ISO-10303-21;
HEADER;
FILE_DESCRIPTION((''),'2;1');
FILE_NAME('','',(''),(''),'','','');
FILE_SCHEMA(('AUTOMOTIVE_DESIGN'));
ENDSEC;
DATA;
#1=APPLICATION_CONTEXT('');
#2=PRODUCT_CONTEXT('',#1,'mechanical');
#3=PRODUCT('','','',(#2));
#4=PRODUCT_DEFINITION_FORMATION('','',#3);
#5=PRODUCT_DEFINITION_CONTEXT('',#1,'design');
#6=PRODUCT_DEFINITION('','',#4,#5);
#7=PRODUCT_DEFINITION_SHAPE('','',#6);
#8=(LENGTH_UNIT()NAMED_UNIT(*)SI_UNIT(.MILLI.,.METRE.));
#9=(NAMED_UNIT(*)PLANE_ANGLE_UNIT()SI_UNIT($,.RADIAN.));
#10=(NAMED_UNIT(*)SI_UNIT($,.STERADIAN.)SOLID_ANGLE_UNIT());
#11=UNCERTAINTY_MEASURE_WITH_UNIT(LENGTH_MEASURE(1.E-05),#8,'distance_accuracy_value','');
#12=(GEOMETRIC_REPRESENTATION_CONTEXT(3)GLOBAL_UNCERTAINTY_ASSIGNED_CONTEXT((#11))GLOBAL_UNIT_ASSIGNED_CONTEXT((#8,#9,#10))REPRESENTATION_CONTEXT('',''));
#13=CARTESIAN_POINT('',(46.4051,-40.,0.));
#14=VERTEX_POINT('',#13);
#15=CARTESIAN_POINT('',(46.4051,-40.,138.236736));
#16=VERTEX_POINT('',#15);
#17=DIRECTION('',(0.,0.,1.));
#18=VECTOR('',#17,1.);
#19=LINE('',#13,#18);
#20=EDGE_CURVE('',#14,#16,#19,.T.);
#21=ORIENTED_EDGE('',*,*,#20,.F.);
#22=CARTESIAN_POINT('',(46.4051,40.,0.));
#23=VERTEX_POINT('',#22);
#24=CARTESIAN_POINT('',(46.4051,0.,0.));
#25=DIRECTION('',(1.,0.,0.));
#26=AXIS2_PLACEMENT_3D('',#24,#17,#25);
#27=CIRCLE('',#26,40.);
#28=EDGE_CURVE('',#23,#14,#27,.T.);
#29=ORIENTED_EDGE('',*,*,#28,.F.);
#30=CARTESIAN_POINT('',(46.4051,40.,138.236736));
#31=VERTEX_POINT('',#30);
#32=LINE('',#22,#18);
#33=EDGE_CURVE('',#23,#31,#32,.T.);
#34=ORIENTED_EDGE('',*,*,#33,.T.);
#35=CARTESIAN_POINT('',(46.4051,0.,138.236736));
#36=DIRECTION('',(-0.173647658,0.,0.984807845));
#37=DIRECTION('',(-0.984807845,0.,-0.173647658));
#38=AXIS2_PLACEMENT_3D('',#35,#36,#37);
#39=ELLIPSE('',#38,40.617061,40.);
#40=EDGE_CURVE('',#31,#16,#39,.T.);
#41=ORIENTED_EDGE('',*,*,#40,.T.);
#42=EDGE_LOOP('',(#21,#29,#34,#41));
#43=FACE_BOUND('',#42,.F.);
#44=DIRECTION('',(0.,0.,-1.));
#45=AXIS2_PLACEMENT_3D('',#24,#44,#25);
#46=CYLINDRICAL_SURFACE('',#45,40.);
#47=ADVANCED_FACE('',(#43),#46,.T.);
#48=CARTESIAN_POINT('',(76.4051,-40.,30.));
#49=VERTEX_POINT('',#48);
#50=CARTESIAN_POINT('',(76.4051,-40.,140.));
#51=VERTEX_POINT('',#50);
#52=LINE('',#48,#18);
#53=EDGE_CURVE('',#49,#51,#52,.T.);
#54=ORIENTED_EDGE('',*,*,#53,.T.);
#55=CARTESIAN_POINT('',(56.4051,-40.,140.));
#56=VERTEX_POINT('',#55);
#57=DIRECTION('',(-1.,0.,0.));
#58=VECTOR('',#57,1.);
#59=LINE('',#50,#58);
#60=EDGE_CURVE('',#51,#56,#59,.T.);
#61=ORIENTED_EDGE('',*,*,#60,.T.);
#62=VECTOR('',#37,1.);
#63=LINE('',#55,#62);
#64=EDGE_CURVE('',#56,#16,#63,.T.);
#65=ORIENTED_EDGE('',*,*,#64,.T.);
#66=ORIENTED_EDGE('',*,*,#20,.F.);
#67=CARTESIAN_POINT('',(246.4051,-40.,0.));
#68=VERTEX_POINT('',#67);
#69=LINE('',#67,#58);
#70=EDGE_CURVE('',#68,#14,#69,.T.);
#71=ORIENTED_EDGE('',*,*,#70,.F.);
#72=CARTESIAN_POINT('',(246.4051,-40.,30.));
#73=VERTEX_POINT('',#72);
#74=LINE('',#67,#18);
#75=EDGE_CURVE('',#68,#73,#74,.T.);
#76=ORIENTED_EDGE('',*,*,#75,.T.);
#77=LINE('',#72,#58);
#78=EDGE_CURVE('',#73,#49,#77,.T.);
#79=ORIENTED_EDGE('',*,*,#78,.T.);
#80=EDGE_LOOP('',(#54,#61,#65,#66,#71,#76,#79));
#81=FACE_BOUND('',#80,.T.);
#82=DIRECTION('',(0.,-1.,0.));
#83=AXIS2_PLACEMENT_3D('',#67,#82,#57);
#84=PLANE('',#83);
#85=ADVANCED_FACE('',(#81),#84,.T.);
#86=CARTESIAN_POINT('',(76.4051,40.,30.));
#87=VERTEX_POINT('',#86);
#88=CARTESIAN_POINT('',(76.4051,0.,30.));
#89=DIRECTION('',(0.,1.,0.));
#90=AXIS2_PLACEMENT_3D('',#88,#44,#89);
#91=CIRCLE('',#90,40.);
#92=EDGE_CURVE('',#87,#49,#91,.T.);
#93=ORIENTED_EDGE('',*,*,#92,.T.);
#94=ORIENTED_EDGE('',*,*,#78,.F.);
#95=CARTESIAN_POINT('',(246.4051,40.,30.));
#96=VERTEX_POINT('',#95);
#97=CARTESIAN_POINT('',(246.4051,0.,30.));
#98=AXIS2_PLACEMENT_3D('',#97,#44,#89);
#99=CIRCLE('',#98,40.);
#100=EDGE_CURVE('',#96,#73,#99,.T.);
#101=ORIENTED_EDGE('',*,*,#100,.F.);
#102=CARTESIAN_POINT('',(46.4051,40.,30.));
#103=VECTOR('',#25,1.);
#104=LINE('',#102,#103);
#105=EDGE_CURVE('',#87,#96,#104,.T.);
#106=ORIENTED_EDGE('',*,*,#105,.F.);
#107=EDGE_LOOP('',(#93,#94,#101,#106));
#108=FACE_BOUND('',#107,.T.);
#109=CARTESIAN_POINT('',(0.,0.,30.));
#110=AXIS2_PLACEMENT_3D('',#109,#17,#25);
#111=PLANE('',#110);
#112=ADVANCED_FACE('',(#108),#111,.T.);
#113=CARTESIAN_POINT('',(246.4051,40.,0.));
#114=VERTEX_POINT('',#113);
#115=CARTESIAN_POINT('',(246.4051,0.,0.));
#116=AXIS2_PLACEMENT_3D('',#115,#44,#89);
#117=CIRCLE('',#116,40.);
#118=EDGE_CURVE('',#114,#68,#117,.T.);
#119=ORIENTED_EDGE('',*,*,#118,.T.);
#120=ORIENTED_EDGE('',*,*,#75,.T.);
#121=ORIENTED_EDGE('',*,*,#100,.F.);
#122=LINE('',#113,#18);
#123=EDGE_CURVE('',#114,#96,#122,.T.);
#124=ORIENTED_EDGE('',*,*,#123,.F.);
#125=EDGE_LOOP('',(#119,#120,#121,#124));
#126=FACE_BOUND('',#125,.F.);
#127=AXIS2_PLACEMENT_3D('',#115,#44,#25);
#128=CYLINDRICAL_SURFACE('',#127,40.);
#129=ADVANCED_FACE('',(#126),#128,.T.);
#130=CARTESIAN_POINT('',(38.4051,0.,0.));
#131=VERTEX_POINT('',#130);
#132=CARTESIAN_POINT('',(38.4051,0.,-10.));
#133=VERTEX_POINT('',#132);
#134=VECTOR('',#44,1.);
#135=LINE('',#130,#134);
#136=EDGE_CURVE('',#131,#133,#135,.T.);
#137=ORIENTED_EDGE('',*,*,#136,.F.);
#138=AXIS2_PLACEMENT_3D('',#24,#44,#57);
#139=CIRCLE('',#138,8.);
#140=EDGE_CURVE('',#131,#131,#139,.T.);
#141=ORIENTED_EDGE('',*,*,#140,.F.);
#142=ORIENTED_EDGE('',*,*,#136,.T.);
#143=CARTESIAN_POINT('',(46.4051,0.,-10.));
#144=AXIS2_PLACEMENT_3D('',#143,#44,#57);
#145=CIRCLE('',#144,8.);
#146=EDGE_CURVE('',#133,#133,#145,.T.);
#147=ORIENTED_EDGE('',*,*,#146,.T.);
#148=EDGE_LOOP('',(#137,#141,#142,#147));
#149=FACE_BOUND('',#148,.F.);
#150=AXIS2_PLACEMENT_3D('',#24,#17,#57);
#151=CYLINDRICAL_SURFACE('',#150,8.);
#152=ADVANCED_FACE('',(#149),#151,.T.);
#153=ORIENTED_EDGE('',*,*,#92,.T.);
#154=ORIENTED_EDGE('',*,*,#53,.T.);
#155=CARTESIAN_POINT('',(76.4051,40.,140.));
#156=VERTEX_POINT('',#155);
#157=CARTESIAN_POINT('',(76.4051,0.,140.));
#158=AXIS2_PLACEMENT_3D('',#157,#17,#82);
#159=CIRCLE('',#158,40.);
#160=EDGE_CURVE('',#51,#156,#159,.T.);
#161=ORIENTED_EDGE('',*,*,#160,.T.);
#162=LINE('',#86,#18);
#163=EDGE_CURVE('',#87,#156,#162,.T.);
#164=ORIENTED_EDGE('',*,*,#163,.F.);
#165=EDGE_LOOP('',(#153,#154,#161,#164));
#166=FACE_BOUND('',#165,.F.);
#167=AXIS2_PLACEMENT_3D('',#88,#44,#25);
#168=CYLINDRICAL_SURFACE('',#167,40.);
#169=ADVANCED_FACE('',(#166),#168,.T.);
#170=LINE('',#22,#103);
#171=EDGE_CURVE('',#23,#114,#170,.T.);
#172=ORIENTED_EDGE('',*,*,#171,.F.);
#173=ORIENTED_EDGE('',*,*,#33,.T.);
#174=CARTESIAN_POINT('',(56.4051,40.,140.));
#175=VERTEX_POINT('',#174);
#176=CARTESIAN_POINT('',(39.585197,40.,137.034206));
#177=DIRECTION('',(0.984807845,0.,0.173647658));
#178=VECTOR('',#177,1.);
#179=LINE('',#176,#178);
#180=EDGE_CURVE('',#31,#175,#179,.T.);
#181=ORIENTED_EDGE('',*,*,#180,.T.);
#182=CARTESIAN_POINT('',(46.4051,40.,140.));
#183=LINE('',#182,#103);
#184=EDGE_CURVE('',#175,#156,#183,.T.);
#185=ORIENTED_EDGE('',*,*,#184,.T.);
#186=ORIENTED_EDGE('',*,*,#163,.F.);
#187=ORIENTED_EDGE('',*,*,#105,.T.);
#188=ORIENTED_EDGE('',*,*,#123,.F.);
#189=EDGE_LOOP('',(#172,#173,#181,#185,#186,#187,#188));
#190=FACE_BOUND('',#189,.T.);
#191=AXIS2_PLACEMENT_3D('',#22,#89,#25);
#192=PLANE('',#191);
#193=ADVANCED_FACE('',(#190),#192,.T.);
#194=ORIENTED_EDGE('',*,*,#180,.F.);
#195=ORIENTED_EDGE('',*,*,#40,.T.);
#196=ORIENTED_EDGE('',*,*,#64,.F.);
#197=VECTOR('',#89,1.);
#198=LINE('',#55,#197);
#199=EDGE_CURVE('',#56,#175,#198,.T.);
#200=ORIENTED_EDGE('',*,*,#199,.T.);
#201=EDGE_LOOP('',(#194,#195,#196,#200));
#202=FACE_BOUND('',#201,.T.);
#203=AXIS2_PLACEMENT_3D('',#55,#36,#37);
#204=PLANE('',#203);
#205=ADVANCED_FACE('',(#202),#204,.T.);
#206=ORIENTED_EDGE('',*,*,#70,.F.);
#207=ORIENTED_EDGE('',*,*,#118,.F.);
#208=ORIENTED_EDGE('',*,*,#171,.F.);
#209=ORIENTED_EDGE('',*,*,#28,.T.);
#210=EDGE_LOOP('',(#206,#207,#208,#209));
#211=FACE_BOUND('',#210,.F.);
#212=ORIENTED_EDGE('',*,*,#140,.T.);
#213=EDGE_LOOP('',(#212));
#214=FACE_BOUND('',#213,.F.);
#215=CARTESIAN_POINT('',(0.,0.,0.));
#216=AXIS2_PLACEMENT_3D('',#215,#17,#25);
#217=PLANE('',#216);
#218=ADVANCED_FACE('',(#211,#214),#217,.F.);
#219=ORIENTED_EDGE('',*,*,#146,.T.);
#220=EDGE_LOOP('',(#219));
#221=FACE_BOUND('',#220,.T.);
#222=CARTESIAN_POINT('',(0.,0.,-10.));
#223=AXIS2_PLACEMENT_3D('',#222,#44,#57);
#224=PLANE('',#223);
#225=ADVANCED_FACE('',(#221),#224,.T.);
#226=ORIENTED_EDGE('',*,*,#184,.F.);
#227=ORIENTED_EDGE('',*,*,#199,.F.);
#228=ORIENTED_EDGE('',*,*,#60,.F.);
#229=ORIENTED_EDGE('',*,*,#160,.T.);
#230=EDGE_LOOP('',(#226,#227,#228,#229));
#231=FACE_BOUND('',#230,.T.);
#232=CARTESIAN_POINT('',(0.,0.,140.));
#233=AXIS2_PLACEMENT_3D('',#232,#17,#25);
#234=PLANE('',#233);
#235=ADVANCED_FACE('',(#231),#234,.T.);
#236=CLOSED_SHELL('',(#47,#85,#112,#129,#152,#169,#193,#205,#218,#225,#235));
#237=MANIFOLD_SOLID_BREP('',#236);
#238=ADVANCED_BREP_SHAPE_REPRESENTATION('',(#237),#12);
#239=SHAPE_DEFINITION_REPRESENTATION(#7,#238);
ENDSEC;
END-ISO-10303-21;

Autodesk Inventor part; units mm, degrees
ref_plane "YZ Plane" through (0, 0, 0) normal (1, 0, 0) x (0, 1, 0)
ref_plane "XZ Plane" through (0, 0, 0) normal (0, 1, 0) x (-1, 0, 0)
ref_plane "XY Plane" through (0, 0, 0) normal (0, 0, 1) x (1, 0, 0)
sketch "Sketch1" plane through (0, 0, 0) normal (0, 0, 1) x (1, 0, 0)
  line L0 (0, 15.9441) -> (0, -15.9441) construction
  line L1 (11.6084, 0) -> (-11.6084, 0) construction
  line L2 (46.4051, 40) -> (246.4051, 40)
  line L3 (246.4051, 40) -> (246.4051, -40)
  line L4 (246.4051, -40) -> (46.4051, -40)
  line L5 (46.4051, -40) -> (46.4051, 40)
  circle A0 centre (46.4051, 0) radius 40
  circle A1 centre (246.4051, 0) radius 40
  point P0 (0, 0)
  point P1 (0, 0)
  dimension "d0" = 80
  dimension "d1" = 200
extrude "Extrusion1" add sketch "Sketch1" along normal blind 30
sketch "Sketch2" plane through (0, 0, 30) normal (0, 0, 1) x (1, 0, 0)
  arc A0 (46.4051, 40) -> (46.4051, -40) centre (46.4051, 0) ccw projected
  circle A1 centre (46.4051, 0) radius 40
  line L0 (46.4051, -40) -> (46.4051, 40)
  line L1 (116.4051, 0) -> (76.4051, 0)
  circle A2 centre (76.4051, 0) radius 40
  line L2 (46.4051, 40) -> (76.4051, 40)
  line L3 (76.4051, -40) -> (46.4051, -40)
  point P0 (0, 0)
extrude "Extrusion2" add sketch "Sketch2" along normal blind 110
sketch "Sketch3" plane through (46.4051, -40, 0) normal (0, -1, 0) x (1, 0, 0)
  line L0 (-40, 140) -> (0, 140) projected
  line L1 (0, 140) -> (10, 140)
  line L2 (10, 140) -> (-81.693, 123.8321)
  line L3 (-81.693, 123.8321) -> (-81.693, 140)
  line L4 (-81.693, 140) -> (0, 140)
  point P0 (-46.4051, 0)
extrude "Extrusion3" cut sketch "Sketch3" against normal through all
sketch "Sketch4" plane through (0, 0, 0) normal (0, 0, -1) x (-1, 0, 0)
  line L0 (-246.4051, -40) -> (-46.4051, -40) projected
  arc A0 (-46.4051, -40) -> (-46.4051, 40) centre (-46.4051, 0) ccw projected
  line L1 (-46.4051, 40) -> (-246.4051, 40) projected
  arc A1 (-246.4051, 40) -> (-246.4051, -40) centre (-246.4051, 0) ccw projected
  circle A2 centre (-46.4051, 0) radius 8
  point P0 (0, 0)
extrude "Extrusion4" add sketch "Sketch4" along normal blind 10 contours A2
properties part number "CANH TAY 3"
